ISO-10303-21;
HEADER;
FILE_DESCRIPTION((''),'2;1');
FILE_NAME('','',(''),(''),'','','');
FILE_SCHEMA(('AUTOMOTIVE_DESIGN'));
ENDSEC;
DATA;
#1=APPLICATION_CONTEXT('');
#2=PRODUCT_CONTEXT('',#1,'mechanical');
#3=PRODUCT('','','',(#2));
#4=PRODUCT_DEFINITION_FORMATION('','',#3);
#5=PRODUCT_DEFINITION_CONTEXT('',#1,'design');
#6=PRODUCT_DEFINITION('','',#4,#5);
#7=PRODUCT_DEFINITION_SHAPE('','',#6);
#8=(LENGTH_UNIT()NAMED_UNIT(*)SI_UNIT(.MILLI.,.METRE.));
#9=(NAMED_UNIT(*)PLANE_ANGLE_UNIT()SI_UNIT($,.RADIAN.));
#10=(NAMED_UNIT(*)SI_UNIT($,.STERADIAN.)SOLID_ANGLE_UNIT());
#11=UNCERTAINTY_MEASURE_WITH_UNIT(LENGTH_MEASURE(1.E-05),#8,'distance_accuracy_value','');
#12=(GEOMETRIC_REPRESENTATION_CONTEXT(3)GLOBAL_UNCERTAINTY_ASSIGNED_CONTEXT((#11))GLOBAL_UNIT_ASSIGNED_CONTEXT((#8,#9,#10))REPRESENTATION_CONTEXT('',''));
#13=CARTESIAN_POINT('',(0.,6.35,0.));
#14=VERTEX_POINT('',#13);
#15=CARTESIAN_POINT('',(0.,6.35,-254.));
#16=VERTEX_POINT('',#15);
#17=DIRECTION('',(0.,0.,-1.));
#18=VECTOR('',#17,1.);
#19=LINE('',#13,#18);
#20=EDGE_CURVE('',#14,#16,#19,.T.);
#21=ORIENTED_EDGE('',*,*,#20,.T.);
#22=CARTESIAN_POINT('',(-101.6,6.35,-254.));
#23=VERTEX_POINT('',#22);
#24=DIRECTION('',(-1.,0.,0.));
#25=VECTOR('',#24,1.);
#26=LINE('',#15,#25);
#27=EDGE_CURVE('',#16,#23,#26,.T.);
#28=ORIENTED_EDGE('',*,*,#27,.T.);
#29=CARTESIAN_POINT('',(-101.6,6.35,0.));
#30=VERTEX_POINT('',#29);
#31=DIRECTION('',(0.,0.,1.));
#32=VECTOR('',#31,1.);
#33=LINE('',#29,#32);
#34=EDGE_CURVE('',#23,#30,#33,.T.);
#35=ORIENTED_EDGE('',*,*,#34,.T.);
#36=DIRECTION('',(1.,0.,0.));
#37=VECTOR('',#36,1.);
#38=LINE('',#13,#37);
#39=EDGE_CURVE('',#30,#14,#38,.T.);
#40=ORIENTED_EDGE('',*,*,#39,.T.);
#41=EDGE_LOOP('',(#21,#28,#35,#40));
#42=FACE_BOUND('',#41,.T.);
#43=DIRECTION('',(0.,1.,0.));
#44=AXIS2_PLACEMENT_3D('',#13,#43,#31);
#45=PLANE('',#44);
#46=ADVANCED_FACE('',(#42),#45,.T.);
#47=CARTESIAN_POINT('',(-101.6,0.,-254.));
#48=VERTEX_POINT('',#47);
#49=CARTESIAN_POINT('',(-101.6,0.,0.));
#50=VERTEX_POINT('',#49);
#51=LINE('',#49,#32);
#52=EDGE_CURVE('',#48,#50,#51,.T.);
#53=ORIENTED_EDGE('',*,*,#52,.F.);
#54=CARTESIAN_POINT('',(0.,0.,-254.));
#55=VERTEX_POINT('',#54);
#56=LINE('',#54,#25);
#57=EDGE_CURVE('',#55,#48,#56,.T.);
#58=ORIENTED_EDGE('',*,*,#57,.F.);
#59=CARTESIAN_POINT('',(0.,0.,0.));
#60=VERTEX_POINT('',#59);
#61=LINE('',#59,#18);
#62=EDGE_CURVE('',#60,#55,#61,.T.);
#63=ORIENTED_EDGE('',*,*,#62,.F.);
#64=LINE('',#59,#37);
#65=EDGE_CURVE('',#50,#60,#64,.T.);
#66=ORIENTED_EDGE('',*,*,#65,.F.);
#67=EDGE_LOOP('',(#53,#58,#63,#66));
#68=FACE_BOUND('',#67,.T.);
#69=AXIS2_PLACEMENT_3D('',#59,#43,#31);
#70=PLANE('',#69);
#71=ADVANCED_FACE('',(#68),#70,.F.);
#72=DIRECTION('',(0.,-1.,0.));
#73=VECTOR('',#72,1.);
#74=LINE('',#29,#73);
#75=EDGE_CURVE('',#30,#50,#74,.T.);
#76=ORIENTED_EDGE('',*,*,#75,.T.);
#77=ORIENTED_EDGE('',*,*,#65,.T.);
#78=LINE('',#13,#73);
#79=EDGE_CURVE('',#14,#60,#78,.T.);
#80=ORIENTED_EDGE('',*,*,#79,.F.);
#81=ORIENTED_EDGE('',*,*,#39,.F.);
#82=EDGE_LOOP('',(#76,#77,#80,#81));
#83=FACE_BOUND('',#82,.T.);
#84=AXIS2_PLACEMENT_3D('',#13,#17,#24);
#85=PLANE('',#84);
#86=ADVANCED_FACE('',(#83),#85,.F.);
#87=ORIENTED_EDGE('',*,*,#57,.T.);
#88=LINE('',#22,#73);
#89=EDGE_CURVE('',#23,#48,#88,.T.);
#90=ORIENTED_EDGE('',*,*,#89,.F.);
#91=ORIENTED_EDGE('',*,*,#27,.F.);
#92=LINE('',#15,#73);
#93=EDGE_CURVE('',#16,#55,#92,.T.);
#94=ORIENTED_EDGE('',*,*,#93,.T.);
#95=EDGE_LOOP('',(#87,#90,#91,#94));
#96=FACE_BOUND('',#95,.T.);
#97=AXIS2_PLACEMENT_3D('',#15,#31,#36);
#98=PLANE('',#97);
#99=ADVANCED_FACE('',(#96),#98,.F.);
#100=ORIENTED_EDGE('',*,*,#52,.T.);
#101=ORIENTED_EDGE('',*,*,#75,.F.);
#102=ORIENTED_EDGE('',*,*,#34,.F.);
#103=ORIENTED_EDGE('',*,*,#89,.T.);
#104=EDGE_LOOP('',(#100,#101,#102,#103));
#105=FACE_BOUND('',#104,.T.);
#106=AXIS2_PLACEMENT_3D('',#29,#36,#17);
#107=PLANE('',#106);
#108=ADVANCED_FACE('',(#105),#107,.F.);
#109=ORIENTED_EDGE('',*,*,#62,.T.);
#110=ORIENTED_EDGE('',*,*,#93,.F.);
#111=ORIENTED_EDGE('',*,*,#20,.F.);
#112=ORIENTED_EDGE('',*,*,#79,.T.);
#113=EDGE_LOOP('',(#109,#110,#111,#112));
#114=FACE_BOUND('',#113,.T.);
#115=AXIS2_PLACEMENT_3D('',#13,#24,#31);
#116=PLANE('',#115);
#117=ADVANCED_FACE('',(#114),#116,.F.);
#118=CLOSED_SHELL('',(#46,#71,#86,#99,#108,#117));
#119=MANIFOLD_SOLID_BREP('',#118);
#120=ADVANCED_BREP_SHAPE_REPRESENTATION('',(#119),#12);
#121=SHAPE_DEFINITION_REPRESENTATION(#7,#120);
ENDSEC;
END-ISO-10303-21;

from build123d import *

# Parameters (mm, degrees)
SKETCH2_W           = 101.6
SKETCH2_H           = 254
BOSS_EXTRUDE2_DEPTH = 6.35


with BuildPart() as part:
    # Sketch2 → Boss-Extrude2 (new body)
    with BuildSketch(Plane(origin=(0, 0, 0), x_dir=(1, 0, 0), z_dir=(0, 1, 0))):
        with Locations((-50.8, 127)):
            Rectangle(SKETCH2_W, SKETCH2_H)
    extrude(amount=BOSS_EXTRUDE2_DEPTH)


solid = part.part
